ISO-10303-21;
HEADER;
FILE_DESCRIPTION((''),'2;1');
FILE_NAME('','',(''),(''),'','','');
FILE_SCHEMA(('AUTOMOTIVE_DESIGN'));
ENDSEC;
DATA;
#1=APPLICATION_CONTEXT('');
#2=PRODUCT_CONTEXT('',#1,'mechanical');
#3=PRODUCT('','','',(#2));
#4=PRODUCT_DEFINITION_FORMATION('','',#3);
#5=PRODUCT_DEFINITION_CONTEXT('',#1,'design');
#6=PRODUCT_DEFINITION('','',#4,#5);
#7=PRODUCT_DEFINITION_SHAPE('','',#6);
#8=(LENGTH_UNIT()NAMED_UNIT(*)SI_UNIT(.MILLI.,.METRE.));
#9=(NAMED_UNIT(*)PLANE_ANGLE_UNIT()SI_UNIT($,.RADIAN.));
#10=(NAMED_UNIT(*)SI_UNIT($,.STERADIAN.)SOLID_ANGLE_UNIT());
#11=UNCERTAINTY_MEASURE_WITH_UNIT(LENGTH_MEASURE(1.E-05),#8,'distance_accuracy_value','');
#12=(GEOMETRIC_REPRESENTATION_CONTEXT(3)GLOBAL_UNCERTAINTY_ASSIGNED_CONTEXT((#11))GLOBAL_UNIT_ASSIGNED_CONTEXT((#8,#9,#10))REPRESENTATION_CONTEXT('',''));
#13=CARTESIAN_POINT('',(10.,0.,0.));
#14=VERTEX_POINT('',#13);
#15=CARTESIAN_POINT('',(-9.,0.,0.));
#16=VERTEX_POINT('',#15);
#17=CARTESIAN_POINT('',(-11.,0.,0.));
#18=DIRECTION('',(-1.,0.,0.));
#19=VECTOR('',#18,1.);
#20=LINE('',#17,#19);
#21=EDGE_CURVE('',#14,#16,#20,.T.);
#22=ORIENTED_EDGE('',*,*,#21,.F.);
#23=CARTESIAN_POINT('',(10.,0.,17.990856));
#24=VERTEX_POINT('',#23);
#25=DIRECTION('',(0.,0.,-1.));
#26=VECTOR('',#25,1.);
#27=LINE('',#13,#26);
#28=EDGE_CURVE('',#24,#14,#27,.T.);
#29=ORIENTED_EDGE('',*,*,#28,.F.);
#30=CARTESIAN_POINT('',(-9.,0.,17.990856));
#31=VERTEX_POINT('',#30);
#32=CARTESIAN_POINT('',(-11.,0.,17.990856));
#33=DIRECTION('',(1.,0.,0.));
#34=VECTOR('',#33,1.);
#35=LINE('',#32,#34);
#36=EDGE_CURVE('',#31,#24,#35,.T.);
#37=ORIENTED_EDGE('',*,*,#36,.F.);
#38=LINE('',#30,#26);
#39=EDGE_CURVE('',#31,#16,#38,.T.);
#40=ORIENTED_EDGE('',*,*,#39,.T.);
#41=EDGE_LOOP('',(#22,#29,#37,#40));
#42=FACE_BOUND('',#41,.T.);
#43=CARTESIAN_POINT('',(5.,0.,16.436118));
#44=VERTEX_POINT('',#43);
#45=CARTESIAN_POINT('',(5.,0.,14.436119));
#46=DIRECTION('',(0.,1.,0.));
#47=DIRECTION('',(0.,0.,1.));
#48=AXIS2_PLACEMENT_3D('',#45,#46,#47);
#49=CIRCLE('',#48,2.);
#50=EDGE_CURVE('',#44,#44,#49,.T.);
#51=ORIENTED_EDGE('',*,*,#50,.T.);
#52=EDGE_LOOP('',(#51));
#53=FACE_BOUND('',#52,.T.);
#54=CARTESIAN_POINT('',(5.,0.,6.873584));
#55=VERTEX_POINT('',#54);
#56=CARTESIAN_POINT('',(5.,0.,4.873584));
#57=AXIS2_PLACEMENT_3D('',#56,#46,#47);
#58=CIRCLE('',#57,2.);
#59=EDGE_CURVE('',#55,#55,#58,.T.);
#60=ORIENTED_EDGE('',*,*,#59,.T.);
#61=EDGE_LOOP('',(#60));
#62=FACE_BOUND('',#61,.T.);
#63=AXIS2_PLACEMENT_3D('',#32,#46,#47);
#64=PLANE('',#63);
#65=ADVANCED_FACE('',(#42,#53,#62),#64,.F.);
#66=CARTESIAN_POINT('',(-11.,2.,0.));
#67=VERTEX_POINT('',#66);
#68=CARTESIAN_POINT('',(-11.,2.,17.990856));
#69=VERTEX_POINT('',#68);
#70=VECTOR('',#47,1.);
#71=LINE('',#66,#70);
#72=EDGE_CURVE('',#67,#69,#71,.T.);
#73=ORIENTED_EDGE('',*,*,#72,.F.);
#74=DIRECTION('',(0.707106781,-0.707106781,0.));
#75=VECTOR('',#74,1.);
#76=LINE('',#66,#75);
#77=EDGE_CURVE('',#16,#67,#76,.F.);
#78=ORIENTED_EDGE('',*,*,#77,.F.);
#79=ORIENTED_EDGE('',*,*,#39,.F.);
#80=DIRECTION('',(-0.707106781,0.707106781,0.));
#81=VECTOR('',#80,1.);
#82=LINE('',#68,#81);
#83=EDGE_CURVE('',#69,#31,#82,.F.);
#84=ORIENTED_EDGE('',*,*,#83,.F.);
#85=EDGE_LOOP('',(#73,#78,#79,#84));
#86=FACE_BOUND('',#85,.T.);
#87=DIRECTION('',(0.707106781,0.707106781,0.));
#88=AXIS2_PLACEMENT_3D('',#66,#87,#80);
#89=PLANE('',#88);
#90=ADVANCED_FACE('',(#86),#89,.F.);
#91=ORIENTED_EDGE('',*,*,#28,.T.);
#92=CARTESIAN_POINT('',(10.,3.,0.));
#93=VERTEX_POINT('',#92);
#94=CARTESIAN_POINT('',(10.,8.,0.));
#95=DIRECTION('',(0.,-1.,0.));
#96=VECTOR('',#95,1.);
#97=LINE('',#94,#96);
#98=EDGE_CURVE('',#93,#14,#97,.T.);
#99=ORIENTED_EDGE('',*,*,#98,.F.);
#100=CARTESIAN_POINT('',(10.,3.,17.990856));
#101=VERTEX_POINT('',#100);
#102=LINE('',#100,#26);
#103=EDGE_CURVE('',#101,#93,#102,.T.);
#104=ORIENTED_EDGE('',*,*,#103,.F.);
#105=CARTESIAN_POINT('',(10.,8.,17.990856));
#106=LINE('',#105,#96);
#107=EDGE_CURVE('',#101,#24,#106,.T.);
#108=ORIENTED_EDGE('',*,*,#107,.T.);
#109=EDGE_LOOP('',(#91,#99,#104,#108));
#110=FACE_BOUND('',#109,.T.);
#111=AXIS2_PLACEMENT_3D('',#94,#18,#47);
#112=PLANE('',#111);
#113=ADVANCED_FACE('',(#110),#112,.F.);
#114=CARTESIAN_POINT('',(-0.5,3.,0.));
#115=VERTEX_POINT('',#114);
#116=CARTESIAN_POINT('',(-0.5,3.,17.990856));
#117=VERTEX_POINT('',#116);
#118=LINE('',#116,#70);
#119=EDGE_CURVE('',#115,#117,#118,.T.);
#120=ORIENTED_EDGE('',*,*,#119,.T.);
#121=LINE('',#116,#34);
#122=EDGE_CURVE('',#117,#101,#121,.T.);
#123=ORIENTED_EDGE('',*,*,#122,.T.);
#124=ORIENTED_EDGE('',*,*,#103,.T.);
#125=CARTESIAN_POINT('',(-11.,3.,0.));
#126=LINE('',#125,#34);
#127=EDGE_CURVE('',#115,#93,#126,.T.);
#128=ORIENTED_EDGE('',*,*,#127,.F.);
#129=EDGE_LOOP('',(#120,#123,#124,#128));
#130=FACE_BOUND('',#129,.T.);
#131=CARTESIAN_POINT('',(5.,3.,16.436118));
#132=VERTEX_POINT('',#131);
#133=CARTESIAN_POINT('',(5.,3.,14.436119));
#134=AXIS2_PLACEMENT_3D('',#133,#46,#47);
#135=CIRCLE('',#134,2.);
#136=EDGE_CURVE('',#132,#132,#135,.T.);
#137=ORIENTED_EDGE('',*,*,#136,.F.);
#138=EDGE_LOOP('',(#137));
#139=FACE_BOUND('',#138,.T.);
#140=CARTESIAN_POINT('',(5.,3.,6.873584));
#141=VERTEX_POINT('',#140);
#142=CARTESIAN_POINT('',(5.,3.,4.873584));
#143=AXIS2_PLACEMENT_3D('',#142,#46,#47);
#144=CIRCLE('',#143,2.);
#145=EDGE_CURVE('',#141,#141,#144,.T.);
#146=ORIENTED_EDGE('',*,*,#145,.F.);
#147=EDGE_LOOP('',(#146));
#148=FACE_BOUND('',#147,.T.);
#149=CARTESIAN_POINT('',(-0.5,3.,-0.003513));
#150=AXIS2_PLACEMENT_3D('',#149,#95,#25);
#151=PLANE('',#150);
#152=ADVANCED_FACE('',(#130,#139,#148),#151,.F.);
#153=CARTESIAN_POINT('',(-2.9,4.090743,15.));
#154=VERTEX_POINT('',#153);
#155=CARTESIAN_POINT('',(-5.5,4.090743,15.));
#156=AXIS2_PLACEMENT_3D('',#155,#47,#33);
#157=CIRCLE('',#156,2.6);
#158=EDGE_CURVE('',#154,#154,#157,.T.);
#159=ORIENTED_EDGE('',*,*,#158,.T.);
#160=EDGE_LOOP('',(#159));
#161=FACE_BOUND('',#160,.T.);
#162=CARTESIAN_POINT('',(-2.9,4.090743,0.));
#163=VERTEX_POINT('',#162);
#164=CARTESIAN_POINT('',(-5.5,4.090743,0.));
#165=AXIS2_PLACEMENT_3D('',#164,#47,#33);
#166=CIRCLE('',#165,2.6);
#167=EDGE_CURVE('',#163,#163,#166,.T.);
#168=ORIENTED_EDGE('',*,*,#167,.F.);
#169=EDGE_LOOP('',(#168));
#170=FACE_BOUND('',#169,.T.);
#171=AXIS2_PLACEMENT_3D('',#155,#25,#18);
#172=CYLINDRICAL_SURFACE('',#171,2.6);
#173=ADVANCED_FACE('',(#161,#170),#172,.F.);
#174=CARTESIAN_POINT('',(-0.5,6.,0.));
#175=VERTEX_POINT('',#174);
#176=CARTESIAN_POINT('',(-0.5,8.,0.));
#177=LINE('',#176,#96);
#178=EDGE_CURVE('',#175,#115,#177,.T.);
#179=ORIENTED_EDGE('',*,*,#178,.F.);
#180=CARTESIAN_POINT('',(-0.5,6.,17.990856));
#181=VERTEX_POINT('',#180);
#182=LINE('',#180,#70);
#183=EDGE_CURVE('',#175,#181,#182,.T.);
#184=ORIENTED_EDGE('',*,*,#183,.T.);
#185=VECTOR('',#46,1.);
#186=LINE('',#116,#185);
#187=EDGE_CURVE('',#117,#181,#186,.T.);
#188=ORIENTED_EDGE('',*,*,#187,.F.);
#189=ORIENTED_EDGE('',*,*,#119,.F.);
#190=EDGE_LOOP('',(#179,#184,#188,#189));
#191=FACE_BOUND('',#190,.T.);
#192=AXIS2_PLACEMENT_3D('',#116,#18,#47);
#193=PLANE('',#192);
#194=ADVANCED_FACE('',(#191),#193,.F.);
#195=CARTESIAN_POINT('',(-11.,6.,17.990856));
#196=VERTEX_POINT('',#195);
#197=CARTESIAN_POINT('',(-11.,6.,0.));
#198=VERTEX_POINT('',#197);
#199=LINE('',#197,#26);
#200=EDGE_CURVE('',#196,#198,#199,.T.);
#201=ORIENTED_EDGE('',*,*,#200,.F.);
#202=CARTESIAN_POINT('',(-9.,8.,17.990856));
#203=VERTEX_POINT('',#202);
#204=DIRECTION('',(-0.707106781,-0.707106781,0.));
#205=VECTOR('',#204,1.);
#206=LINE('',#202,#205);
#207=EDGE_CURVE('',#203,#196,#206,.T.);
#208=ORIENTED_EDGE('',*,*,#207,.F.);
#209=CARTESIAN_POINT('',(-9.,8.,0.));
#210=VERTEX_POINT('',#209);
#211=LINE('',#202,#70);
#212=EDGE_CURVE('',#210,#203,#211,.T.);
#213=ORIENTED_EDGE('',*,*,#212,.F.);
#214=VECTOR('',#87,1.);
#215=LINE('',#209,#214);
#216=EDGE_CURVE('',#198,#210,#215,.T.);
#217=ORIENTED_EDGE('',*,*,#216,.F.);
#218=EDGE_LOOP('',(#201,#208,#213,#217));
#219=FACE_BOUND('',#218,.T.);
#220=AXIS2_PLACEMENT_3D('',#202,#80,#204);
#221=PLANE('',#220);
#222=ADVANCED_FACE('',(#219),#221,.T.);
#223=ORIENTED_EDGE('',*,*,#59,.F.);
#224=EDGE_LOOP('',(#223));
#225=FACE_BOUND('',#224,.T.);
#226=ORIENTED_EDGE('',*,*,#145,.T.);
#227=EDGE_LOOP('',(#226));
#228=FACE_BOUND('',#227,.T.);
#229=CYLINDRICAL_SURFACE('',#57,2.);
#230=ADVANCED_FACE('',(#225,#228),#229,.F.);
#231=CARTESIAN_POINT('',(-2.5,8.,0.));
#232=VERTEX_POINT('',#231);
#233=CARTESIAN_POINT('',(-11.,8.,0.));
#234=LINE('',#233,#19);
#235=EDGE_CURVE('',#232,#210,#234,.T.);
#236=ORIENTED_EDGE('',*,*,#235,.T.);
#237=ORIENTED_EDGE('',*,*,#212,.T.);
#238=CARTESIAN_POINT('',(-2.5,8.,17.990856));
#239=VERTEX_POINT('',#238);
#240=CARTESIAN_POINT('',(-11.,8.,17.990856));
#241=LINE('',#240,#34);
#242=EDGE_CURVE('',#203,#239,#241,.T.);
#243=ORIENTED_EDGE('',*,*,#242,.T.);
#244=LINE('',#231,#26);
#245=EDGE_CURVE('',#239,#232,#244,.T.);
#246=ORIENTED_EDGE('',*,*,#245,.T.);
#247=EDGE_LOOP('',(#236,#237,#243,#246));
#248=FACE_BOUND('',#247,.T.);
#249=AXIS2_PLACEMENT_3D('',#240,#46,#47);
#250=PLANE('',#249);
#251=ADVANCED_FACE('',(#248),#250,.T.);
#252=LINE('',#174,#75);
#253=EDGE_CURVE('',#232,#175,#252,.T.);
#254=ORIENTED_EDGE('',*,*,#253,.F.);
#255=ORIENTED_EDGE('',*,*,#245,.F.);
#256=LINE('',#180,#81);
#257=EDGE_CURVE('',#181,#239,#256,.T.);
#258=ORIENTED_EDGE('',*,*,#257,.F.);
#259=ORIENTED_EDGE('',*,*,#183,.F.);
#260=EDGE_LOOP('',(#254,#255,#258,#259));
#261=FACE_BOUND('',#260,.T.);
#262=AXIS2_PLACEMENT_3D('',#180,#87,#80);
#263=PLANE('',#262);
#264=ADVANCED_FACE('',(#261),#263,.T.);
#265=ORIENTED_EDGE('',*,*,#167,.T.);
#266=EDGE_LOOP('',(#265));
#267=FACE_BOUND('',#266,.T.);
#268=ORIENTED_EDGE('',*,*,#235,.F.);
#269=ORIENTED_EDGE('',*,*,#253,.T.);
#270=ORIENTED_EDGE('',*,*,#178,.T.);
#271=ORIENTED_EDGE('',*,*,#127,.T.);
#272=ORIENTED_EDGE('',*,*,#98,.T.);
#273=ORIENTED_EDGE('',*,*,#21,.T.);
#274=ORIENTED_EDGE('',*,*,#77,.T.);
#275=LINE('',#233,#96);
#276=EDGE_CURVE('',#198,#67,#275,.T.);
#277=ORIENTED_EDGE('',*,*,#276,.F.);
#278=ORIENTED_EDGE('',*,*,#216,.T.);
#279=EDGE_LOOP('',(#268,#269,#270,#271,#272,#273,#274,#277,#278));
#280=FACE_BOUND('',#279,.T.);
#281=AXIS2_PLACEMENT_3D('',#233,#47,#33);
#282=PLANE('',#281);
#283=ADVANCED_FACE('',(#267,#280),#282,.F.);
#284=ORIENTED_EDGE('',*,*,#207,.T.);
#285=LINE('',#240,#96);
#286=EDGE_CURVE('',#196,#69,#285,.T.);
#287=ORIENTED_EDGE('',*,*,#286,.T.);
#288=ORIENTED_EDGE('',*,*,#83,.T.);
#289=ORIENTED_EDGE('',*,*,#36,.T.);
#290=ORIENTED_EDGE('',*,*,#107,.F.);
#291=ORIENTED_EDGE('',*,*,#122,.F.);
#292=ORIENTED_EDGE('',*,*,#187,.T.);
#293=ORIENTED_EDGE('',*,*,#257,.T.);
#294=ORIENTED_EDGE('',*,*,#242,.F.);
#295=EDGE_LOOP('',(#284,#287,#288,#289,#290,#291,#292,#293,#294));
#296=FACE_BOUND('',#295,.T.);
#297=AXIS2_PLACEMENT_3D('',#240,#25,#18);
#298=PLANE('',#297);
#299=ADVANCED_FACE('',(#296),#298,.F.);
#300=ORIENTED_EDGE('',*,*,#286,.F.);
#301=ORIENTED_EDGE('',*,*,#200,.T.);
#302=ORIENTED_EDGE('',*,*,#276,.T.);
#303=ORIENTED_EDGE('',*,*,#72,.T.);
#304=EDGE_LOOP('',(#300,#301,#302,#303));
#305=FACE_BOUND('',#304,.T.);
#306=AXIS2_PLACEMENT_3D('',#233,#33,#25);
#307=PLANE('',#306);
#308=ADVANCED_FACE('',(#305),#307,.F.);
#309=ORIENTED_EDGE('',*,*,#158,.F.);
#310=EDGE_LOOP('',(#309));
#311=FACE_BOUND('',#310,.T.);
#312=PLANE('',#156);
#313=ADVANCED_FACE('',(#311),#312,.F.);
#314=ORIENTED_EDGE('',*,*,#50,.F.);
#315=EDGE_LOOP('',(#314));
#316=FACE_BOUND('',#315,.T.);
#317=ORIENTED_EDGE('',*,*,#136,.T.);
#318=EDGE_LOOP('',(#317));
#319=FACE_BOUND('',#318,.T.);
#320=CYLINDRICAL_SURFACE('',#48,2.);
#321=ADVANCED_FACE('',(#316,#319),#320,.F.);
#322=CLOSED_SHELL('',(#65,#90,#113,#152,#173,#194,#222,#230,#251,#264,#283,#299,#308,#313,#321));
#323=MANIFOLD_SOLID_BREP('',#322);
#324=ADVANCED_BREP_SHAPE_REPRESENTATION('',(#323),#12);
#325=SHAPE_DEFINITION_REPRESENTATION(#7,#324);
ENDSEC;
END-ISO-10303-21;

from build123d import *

# Parameters (mm, degrees)
SKETCH_1_W          = 21
SKETCH_1_H          = 17.990855805
EXTRUDE_1_DEPTH     = 8
SKETCH_2_W          = 10.499999995
SKETCH_2_H          = 17.994369167
CUT_EXTRUDE_1_DEPTH = 5
SKETCH_3_R          = 1.999999882
SKETCH_3_R_2        = 1.999999942
CUT_EXTRUDE_2_DEPTH = 22.671891763
SKETCH_4_R          = 2.6
CUT_EXTRUDE_3_DEPTH = 15
CHAMFER_1_SIZE      = 2


with BuildPart() as part:
    # Эскиз1 → Вытянуть1 (new body)
    with BuildSketch(Plane(origin=(0, 0, 0), x_dir=(1, 0, 0), z_dir=(0, 1, 0))):
        with Locations((-0.5, -8.995427903)):
            Rectangle(SKETCH_1_W, SKETCH_1_H)
    extrude(amount=EXTRUDE_1_DEPTH)

    # Эскиз2 → Вырез-Вытянуть1 (cut)
    with BuildSketch(Plane(origin=(0, 8, 0), x_dir=(1, 0, 0), z_dir=(0, 1, 0))):
        with Locations((4.749999998, -8.993671222)):
            Rectangle(SKETCH_2_W, SKETCH_2_H)
    extrude(amount=-CUT_EXTRUDE_1_DEPTH, mode=Mode.SUBTRACT)

    # Эскиз3 → Вырез-Вытянуть2 (cut, through all)
    with BuildSketch(Plane(origin=(0, 3, 0), x_dir=(1, 0, 0), z_dir=(0, 1, 0))):
        with Locations(Location((4.999999995, -14.436118586, 0), (0, 0, 270))):
            Circle(SKETCH_3_R)
        with Locations(Location((4.999999995, -4.873583798, 0), (0, 0, 270))):
            Circle(SKETCH_3_R_2)
    extrude(amount=-CUT_EXTRUDE_2_DEPTH, mode=Mode.SUBTRACT)

    # Эскиз4 → Вырез-Вытянуть3 (cut)
    with BuildSketch(Plane.XY):
        with Locations((-5.500000032, 4.090743194)):
            Circle(SKETCH_4_R)
    extrude(amount=CUT_EXTRUDE_3_DEPTH, mode=Mode.SUBTRACT)

    # Фаска1
    chamfer_1_edges = [part.edges().sort_by_distance(p)[0] for p in [
        (-0.5, 8, 8.995427902),
        (-11, 8, 8.995427902),
        (-11, 0, 8.995427902),
    ]]
    chamfer(chamfer_1_edges, length=CHAMFER_1_SIZE)


solid = part.part
